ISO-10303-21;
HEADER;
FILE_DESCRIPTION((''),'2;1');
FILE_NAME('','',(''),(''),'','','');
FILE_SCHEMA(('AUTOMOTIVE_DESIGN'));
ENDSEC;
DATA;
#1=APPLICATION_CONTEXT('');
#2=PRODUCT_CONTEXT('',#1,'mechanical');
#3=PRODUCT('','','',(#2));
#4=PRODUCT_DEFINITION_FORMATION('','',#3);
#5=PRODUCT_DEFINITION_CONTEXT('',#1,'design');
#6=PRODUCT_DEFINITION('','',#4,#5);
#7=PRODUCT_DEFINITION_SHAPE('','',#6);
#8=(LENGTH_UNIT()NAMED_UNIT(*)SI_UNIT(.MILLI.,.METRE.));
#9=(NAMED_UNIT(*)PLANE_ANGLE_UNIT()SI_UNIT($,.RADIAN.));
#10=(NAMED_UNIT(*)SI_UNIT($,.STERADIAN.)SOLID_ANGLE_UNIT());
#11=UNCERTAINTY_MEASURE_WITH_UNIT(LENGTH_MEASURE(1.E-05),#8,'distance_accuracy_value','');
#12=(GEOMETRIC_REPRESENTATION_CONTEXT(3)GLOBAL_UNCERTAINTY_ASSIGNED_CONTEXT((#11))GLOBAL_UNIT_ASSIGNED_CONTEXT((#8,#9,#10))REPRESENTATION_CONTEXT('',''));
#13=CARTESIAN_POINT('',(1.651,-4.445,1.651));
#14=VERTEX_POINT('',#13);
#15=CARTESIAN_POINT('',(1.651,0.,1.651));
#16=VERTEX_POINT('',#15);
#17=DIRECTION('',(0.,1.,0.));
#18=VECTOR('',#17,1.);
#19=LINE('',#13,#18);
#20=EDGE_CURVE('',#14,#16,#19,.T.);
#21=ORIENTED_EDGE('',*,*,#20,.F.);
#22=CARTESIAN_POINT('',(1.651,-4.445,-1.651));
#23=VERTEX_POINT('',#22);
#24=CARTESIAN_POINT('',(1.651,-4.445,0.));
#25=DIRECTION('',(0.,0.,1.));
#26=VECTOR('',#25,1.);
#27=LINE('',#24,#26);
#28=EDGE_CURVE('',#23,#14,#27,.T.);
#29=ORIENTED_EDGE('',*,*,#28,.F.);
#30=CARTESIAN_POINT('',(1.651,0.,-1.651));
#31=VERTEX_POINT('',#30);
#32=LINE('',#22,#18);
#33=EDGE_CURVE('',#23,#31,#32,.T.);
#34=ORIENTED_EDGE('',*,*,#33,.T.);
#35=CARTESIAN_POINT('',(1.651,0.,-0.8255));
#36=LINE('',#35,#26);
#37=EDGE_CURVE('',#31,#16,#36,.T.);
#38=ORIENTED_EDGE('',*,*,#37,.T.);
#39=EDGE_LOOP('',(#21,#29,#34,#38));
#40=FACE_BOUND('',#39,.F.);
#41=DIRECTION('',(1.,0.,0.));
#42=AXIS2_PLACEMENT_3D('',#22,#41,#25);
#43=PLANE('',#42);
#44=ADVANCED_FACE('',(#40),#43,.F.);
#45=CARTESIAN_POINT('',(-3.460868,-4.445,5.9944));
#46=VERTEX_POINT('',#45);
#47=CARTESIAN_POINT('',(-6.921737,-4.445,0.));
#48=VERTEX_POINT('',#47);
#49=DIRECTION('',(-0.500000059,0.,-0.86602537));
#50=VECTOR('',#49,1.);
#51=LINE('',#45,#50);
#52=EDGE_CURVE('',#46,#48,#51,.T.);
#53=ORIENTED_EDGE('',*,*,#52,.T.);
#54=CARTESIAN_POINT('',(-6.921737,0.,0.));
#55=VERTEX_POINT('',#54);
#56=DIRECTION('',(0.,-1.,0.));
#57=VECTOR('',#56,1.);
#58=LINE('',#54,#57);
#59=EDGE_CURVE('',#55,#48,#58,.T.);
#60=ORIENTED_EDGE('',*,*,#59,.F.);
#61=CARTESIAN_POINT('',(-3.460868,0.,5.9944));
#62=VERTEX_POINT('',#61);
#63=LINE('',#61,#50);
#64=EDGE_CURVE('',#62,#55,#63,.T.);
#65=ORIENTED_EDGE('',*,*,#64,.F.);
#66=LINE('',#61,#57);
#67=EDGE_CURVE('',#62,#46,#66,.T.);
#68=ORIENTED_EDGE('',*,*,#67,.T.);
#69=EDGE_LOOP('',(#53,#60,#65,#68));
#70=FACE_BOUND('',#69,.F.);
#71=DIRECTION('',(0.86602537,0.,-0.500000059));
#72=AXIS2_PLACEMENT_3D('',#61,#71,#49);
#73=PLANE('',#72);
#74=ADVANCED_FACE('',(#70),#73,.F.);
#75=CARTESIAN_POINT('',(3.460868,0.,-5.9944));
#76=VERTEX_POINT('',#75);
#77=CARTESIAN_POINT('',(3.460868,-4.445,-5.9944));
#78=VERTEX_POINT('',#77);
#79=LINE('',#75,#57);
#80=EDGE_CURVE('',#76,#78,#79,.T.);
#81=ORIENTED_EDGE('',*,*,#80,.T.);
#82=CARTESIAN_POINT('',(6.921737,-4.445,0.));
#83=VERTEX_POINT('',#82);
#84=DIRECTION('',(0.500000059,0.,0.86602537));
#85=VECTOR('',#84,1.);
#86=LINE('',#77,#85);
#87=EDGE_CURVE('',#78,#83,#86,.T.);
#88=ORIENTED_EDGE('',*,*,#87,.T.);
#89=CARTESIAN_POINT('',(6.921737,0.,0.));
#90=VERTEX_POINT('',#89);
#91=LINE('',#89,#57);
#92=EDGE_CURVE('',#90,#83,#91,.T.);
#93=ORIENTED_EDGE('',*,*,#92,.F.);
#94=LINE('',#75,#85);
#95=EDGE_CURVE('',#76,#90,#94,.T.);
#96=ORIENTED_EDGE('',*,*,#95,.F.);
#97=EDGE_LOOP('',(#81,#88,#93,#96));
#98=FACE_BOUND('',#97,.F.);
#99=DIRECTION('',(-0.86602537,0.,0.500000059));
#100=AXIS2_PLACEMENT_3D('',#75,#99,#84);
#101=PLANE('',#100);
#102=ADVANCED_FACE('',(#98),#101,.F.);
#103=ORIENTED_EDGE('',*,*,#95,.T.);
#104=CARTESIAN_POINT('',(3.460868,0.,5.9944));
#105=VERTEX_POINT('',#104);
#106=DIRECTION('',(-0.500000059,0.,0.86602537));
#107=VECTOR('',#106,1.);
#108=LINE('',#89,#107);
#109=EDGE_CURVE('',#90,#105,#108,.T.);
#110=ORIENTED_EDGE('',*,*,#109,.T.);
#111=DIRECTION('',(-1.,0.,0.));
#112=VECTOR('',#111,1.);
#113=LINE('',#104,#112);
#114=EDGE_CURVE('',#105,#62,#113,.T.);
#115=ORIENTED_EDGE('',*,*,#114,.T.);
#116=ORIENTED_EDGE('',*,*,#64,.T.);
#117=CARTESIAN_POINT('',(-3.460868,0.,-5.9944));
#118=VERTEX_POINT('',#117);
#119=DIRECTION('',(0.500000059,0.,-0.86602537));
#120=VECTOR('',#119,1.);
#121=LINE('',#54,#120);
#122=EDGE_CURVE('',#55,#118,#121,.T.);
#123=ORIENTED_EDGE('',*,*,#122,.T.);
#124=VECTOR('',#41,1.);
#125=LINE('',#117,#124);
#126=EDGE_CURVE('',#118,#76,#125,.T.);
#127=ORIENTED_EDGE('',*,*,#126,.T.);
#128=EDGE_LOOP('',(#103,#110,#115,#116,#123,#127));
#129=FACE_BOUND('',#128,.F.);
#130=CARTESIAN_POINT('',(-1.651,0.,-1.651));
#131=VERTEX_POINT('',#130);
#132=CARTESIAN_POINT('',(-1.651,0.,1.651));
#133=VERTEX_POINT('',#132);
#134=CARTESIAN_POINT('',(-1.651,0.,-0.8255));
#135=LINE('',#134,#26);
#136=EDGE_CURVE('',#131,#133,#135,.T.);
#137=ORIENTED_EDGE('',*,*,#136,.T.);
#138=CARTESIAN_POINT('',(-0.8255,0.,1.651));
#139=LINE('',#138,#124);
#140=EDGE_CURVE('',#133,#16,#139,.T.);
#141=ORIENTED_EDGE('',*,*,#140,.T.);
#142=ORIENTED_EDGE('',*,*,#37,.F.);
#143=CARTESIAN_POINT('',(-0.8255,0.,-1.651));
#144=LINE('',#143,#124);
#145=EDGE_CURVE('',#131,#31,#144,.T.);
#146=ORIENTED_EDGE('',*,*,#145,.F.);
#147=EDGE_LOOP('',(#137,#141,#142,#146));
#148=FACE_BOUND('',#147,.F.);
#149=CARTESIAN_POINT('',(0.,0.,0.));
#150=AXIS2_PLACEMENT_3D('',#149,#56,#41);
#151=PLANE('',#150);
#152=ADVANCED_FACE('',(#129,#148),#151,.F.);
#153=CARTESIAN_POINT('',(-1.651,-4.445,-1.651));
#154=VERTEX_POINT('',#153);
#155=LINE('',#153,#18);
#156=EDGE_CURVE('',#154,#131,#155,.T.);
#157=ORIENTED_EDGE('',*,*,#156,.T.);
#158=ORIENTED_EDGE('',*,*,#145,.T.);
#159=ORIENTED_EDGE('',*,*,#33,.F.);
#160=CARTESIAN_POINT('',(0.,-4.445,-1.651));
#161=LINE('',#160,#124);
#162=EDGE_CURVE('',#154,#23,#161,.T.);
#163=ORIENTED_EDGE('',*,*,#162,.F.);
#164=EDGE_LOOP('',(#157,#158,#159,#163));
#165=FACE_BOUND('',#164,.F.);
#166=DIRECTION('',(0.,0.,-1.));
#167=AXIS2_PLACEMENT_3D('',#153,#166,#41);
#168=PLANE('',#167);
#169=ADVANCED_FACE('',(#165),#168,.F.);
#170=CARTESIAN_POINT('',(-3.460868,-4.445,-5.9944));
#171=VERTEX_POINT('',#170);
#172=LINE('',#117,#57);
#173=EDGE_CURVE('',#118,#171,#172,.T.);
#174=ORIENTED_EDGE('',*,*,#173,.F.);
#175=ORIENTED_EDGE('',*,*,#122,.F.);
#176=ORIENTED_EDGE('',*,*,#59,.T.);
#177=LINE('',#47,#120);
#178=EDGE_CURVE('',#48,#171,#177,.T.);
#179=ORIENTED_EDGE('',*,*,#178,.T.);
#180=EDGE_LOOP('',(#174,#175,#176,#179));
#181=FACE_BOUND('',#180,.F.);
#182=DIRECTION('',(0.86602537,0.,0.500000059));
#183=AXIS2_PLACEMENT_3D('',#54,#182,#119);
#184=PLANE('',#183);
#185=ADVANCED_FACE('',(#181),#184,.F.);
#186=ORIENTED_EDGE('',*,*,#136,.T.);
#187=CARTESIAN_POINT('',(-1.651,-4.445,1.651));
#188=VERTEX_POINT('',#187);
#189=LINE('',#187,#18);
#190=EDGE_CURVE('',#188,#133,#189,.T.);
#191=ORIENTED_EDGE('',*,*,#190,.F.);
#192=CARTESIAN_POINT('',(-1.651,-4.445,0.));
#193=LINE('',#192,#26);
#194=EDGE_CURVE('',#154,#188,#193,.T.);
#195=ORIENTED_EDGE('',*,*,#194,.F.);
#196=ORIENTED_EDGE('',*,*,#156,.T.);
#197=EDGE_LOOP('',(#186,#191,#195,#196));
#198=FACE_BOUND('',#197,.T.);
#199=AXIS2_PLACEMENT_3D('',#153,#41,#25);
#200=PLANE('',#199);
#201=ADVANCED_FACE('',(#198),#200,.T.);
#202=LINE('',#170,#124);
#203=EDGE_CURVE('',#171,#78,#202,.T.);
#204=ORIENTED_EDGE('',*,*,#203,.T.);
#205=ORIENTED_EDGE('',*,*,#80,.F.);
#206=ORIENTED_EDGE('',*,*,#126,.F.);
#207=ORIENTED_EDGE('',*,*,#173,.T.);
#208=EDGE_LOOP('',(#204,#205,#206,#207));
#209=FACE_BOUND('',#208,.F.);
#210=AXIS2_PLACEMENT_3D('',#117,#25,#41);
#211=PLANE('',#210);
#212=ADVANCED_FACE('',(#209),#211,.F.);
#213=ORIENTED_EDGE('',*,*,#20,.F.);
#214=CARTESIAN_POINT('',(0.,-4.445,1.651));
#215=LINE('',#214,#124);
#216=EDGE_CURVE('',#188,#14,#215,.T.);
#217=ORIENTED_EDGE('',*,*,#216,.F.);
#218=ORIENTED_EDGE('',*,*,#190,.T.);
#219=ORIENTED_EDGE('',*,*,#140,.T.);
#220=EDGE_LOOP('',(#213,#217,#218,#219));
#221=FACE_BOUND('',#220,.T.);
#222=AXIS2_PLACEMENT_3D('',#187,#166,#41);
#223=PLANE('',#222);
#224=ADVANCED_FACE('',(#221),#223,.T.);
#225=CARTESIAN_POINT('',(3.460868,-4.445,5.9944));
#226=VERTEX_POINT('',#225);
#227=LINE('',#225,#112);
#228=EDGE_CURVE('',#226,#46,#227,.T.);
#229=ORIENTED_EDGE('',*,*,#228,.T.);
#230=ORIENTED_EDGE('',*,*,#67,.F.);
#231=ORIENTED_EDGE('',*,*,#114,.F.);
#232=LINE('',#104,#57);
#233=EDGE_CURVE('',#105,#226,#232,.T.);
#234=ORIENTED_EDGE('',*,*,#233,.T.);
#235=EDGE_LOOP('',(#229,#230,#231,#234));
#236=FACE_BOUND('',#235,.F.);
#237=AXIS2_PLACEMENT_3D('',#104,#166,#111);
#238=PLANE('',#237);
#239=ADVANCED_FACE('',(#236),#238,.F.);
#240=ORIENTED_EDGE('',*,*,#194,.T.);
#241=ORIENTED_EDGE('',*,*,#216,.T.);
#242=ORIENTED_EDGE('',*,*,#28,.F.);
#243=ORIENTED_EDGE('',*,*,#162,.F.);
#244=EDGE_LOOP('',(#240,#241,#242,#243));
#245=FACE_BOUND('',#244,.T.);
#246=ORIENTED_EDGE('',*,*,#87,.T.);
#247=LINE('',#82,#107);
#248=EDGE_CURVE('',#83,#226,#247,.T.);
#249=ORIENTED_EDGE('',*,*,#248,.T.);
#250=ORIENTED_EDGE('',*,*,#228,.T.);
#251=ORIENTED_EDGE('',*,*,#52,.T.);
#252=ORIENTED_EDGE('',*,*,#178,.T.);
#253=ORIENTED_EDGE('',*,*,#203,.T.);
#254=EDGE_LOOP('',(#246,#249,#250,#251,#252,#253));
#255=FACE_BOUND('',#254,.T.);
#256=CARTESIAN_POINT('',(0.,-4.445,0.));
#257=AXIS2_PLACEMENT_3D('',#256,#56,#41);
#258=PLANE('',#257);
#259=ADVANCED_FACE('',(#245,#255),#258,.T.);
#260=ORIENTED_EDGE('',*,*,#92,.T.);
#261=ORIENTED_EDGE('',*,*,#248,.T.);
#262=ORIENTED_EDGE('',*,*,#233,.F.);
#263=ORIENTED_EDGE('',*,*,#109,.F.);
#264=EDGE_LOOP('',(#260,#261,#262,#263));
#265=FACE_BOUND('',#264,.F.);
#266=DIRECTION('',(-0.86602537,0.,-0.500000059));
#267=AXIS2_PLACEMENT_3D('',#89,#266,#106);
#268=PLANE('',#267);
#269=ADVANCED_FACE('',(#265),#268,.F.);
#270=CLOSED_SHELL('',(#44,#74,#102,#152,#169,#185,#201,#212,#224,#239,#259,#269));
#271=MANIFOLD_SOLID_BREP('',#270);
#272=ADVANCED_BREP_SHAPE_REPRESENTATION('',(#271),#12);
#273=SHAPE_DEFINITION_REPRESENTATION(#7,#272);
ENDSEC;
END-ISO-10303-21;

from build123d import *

# Parameters (mm, degrees)
F1_DEPTH = 4.445
F2_W     = 3.302
F2_H     = 3.302
F3_DEPTH = 25.4


with BuildPart() as f1:
    # F0 (on Front) → F1 (new body)
    with BuildSketch(Plane.XZ):
        Polygon((3.460868, 5.9944), (-3.460868, 5.9944), (-6.921737, 0), (-3.460868, -5.9944), (3.460868, -5.9944), (6.921737, 0), align=None)
    extrude(amount=F1_DEPTH)

    # F2 (on face) → F3 (cut)
    with BuildSketch(Plane.XZ.offset(4.445)):
        Rectangle(F2_W, F2_H)
    extrude(amount=-F3_DEPTH, mode=Mode.SUBTRACT)


solid = f1.part
